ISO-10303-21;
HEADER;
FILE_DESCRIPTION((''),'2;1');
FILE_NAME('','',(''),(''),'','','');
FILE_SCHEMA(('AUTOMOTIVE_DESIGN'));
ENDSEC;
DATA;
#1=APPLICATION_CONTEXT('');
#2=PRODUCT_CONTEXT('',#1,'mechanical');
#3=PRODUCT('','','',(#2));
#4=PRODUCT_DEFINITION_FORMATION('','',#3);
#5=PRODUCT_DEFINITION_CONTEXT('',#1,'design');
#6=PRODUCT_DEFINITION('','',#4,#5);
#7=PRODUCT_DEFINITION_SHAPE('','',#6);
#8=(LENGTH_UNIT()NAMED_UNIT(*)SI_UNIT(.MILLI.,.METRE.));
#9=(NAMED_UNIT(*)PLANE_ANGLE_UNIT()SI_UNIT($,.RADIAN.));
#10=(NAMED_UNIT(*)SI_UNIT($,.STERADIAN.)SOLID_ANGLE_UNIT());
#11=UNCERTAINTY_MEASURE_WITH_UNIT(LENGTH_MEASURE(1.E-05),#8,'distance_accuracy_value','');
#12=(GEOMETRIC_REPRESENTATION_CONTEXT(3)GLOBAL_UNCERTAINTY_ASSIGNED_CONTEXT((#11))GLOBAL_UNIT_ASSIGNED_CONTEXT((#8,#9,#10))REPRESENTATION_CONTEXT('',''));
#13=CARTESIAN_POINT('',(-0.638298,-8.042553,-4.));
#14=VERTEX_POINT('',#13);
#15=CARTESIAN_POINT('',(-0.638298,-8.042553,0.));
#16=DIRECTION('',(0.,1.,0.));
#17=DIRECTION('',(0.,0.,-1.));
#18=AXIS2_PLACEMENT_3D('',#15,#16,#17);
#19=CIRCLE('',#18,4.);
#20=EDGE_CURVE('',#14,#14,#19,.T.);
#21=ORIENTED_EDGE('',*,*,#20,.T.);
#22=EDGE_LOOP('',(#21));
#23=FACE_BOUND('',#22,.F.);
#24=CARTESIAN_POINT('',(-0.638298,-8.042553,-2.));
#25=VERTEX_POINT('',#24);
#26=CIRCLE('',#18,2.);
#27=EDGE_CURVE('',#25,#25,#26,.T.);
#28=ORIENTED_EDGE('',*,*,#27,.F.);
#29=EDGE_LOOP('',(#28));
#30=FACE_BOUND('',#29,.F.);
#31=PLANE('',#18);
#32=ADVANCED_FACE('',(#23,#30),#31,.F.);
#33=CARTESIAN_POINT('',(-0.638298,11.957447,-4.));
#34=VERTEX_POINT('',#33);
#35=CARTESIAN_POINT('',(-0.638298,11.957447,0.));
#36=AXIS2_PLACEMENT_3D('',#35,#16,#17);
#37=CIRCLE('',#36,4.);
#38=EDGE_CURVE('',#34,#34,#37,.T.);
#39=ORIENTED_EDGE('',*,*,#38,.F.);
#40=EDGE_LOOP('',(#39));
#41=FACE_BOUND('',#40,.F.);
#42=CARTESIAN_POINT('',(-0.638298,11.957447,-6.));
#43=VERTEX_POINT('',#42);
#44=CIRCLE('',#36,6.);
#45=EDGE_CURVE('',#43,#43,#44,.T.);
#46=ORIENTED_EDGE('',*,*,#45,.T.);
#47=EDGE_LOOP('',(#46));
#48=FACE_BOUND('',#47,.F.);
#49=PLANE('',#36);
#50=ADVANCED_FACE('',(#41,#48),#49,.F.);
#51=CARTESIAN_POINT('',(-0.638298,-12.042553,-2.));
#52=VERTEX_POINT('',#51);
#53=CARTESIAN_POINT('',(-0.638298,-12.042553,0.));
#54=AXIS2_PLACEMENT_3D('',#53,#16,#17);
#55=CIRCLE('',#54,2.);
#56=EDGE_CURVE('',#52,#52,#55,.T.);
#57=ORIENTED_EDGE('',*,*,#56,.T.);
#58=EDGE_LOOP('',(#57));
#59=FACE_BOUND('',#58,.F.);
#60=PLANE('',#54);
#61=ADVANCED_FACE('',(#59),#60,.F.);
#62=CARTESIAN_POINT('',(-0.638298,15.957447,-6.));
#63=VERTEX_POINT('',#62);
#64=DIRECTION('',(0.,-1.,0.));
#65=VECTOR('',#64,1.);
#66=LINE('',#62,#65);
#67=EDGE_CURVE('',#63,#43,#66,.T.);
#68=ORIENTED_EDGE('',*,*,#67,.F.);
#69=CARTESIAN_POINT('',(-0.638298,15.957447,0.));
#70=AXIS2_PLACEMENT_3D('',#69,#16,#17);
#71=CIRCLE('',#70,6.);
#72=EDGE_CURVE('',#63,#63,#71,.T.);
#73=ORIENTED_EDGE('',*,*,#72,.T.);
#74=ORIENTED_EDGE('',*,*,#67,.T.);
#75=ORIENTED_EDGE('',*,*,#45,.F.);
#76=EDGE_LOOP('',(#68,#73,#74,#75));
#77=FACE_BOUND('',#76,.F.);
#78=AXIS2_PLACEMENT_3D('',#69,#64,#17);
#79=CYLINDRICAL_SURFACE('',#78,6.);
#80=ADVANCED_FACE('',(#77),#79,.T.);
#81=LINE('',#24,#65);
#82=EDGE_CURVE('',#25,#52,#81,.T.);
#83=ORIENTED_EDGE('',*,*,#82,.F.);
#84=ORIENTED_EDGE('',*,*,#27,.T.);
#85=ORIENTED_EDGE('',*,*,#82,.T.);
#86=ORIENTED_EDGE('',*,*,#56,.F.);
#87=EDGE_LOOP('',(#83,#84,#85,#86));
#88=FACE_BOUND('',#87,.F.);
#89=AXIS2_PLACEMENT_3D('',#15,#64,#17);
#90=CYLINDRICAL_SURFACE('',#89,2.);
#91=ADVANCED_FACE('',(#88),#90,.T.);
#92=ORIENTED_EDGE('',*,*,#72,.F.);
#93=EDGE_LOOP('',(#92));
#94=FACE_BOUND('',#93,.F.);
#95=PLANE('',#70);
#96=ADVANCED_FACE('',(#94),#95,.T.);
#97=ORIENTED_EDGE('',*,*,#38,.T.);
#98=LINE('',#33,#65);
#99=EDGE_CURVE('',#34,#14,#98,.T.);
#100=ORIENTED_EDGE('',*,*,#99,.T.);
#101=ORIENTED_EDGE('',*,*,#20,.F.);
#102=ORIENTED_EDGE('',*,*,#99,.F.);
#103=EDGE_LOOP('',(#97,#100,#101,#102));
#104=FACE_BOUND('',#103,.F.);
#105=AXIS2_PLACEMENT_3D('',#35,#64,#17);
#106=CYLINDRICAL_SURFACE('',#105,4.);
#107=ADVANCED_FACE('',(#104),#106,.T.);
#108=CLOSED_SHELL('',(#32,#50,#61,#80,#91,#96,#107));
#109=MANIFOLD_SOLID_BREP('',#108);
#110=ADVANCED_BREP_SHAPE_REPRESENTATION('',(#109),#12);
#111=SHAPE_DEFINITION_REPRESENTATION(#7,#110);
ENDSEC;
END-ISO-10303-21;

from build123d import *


with BuildPart() as part:
    # Sketch1 → Revolve1 (revolve)
    with BuildSketch(Plane.XY, mode=Mode.PRIVATE) as revolve1_sk:
        Polygon((-0.638297872, 15.957446809), (5.361702128, 15.957446809), (5.361702128, 11.957446809), (3.361702128, 11.957446809), (3.361702128, -8.042553191), (1.361702128, -8.042553191), (1.361702128, -12.042553191), (-0.638297872, -12.042553191), align=None)
    revolve(revolve1_sk.sketch.rotate(Axis((-0.638297872, -12.042553191, 0), (0, 1, 0)), 90), axis=Axis((-0.638297872, -12.042553191, 0), (0, 1, 0)))


solid = part.part
